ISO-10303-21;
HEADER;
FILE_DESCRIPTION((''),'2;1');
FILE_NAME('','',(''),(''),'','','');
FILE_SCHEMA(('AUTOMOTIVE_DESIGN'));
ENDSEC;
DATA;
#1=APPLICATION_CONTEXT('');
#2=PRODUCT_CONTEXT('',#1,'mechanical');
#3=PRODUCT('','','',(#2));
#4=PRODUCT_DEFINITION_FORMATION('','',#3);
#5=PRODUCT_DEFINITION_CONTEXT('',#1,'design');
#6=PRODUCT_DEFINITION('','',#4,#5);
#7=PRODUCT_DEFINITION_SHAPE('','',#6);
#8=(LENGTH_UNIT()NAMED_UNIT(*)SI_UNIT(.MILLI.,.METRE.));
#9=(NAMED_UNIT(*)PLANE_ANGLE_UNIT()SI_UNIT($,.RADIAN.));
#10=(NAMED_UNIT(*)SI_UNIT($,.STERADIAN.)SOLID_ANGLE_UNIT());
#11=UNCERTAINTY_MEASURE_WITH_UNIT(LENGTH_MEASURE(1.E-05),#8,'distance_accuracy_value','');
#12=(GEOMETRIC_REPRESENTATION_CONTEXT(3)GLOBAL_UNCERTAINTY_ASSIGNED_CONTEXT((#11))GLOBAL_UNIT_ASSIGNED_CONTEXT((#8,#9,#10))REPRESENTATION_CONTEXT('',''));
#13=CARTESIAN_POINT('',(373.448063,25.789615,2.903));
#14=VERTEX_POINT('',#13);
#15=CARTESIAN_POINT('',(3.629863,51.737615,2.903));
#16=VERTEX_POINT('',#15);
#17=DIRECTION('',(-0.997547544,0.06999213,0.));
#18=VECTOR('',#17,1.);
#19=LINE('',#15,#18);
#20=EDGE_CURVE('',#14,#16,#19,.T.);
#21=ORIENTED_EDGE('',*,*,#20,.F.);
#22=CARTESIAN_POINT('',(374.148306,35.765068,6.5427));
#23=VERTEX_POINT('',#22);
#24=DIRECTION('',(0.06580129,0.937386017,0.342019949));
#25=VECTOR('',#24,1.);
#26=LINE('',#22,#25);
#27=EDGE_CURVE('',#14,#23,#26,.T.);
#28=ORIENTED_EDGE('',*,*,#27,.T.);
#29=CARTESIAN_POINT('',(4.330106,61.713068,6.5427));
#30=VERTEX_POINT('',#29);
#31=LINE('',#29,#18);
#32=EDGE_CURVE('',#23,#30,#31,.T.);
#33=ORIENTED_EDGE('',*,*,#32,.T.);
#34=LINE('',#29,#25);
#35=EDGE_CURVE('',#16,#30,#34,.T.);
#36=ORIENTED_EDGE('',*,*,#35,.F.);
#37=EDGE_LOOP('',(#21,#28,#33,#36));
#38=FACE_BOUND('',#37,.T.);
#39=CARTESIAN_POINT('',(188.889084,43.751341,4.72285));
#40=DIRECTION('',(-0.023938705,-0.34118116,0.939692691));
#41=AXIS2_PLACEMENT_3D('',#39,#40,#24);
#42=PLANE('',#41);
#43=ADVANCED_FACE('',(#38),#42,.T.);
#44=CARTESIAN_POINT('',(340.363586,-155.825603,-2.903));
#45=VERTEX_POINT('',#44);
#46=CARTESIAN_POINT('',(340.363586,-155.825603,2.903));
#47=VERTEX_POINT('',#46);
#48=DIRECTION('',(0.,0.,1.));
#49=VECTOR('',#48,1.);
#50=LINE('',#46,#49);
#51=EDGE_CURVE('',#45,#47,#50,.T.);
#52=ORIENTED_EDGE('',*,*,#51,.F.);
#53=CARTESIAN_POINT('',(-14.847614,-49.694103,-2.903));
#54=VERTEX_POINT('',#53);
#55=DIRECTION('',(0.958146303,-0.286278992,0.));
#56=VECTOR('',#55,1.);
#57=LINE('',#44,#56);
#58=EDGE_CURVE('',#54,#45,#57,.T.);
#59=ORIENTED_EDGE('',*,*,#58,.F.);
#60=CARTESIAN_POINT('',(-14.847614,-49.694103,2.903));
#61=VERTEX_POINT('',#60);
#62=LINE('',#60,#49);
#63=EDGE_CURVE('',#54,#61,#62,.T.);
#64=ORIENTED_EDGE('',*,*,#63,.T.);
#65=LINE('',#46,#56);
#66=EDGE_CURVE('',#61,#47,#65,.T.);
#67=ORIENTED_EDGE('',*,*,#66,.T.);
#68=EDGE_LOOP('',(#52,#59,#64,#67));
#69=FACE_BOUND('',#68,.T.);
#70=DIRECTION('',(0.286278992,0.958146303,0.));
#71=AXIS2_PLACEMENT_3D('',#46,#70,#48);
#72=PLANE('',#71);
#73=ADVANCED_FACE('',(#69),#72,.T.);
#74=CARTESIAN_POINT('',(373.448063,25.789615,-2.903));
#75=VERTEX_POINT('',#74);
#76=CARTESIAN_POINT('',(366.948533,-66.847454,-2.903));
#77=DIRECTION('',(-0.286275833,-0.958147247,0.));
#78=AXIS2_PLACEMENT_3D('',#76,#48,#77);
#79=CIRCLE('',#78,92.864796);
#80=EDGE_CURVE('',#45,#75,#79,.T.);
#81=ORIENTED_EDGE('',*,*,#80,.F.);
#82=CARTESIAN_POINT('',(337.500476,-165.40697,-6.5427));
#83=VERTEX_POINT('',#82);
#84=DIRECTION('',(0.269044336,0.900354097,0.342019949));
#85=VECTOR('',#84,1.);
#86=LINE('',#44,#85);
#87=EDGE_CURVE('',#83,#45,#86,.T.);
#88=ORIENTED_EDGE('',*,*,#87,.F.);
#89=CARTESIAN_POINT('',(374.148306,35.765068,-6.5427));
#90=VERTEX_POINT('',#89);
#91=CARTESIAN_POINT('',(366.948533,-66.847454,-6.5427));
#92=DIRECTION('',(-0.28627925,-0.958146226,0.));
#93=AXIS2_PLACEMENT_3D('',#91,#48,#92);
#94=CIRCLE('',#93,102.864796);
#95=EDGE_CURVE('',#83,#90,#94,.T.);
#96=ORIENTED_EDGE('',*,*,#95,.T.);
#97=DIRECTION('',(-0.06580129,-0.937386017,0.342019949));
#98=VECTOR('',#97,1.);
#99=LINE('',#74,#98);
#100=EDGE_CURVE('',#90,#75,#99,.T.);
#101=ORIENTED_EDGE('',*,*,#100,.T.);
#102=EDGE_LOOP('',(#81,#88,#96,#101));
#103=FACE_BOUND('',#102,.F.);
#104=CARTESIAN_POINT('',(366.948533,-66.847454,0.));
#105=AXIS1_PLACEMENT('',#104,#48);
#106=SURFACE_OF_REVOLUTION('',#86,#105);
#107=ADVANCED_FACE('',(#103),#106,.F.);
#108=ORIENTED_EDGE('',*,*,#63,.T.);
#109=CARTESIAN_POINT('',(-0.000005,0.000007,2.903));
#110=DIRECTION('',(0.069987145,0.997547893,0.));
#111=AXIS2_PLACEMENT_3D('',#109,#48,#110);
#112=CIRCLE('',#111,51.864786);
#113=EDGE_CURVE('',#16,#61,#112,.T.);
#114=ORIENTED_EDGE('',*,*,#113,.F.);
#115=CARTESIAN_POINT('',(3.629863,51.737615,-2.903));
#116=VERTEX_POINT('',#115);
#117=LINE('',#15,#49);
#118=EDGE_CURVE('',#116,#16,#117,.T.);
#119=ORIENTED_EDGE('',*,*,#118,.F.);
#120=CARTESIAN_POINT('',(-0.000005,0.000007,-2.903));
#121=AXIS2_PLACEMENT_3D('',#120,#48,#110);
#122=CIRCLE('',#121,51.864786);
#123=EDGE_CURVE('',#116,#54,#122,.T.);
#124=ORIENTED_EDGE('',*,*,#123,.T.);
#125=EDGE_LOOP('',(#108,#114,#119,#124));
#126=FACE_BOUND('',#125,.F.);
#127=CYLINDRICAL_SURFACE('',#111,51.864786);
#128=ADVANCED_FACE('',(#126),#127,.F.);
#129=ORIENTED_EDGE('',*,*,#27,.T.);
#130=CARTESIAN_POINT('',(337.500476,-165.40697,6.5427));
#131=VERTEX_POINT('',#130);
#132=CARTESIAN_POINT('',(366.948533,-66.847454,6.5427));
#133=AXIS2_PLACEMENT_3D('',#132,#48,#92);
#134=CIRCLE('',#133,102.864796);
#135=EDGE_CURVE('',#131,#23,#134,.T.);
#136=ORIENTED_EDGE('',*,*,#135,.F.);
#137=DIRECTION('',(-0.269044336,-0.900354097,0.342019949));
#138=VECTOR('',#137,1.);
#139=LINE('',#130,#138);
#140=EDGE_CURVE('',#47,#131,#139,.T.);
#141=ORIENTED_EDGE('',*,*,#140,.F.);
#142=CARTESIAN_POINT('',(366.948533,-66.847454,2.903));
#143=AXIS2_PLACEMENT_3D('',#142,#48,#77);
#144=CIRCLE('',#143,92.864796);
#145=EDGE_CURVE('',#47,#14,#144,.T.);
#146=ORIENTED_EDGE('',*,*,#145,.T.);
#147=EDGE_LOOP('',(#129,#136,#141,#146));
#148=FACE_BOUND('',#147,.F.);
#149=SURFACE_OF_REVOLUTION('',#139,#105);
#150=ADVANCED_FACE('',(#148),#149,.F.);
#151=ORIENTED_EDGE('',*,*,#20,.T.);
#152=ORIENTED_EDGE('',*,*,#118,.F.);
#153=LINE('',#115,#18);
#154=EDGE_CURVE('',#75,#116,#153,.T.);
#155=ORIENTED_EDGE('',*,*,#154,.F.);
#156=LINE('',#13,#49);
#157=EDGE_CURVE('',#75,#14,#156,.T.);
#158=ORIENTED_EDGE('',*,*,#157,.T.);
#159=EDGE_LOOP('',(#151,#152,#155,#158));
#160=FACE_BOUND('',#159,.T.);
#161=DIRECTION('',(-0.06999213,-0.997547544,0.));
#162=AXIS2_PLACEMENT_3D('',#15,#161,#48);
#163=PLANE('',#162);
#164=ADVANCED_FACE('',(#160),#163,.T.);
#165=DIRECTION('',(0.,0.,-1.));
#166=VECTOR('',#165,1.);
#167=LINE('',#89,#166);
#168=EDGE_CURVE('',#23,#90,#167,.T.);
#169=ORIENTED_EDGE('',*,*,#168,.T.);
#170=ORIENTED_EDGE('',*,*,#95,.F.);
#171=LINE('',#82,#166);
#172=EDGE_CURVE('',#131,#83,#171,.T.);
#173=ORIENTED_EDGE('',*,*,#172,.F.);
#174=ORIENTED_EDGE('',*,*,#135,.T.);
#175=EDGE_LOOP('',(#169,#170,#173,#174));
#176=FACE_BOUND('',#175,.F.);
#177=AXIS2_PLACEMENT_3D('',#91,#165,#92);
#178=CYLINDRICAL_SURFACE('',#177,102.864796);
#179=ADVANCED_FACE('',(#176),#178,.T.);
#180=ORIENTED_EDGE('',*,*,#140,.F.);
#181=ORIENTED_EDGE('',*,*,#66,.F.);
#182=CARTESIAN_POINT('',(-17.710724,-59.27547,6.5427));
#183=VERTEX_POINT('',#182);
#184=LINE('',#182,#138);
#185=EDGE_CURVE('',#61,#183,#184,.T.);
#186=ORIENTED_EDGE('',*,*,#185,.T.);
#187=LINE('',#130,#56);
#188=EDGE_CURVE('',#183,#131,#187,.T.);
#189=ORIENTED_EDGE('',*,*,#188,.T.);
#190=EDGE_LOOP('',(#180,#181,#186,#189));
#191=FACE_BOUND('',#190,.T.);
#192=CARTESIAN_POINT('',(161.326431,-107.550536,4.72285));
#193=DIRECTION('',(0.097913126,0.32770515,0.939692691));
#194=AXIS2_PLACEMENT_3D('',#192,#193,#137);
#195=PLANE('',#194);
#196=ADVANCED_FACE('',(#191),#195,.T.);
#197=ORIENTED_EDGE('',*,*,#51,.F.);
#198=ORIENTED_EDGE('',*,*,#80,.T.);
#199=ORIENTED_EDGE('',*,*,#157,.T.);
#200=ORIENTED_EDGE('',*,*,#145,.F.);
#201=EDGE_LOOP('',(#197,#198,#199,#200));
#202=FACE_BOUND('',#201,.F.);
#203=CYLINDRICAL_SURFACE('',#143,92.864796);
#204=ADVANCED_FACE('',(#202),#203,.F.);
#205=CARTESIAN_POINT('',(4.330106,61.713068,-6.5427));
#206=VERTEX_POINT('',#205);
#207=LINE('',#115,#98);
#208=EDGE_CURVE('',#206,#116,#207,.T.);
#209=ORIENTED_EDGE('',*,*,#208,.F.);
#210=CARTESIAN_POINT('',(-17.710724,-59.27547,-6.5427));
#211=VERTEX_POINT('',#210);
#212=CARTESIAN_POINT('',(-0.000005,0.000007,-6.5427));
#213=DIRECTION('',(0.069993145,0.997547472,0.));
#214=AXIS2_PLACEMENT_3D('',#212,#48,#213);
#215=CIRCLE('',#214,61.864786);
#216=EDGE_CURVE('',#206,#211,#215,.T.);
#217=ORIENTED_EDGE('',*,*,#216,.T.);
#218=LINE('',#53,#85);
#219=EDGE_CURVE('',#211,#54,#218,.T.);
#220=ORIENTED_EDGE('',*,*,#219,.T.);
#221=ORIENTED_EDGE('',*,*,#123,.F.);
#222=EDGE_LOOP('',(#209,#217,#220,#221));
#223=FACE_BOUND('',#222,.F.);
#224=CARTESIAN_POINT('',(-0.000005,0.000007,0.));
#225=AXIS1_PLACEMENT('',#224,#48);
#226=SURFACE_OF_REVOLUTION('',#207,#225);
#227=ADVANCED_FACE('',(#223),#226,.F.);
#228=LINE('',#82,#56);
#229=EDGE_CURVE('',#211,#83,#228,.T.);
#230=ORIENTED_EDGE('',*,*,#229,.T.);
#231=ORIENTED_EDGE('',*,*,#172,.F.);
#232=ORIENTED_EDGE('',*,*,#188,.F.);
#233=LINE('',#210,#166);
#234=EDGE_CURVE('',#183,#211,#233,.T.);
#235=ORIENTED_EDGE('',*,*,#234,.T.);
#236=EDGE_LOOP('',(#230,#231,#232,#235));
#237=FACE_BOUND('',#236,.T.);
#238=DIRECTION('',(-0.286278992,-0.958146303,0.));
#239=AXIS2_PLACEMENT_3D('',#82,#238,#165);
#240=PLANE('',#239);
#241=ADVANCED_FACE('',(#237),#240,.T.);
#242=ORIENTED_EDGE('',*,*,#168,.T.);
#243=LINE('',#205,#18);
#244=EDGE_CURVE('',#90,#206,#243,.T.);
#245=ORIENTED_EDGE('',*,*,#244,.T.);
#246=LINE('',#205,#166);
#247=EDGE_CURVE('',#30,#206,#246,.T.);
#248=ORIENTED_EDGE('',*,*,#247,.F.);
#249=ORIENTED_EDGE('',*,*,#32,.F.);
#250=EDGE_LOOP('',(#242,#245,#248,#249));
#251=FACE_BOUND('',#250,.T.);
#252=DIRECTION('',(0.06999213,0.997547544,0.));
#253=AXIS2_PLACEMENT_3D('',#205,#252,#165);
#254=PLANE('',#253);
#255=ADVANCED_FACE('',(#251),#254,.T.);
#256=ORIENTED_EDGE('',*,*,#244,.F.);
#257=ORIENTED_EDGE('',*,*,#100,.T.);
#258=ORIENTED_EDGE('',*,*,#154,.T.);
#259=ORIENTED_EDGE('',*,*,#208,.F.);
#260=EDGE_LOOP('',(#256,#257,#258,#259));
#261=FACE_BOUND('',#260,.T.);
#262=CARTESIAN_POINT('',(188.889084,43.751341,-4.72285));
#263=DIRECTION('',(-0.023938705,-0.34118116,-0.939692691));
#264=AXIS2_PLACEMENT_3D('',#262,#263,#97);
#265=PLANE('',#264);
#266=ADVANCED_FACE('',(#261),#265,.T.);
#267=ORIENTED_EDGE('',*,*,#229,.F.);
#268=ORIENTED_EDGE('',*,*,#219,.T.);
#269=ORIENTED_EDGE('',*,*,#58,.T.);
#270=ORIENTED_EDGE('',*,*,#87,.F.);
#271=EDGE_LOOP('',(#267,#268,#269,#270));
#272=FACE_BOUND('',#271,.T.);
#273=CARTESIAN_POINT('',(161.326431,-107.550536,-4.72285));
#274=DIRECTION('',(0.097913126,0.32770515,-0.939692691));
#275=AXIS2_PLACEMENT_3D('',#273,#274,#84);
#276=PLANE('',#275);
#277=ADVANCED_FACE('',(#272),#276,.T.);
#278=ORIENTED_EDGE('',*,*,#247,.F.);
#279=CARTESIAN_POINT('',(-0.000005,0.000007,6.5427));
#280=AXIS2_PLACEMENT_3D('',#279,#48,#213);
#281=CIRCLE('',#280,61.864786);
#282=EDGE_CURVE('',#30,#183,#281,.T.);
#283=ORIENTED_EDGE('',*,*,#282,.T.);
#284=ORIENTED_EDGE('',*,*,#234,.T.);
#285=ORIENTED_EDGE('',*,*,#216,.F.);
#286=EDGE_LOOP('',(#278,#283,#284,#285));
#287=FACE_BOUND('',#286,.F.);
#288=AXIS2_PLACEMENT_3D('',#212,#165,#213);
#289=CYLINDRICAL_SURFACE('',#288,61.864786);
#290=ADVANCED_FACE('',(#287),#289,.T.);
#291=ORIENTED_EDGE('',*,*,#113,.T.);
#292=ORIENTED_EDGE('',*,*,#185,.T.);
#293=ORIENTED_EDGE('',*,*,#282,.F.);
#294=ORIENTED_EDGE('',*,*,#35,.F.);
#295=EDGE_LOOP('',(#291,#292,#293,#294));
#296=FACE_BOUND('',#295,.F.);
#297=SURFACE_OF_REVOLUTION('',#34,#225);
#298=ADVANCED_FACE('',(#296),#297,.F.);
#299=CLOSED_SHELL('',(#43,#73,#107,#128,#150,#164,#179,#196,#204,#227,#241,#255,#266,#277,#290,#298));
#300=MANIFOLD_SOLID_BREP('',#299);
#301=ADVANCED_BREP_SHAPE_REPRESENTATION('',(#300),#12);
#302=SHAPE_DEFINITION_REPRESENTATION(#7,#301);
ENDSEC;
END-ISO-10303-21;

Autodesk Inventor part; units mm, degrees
ref_plane "YZ Plane" through (0, 0, 0) normal (1, 0, 0) x (0, 1, 0)
ref_plane "XZ Plane" through (0, 0, 0) normal (0, 1, 0) x (-1, 0, 0)
sketch "Trayectoria de boceto" plane through (0, 0, 0) normal (0, 0, 1) x (1, 0, 0)
  arc A0 (4.1295, 58.8553) -> (-16.8905, -56.5306) centre (0, 0) ccw
  arc A1 (338.3207, -162.6621) -> (373.9477, 32.9073) centre (366.9485, -66.8474) ccw
  line L0 (338.3207, -162.6621) -> (-16.8905, -56.5306)
  line L1 (4.1295, 58.8553) -> (373.9477, 32.9073)
ref_plane "Plano de sección transversal" through (-16.8905, -56.5306, 0) normal (0.9581, -0.2863, 0) x (0, 0, 1)
sketch "Sección transversal" plane through (-16.8905, -56.5306, 0) normal (0.9581, -0.2863, 0) x (0, 0, 1)
  line L0 (0, 2.8648) -> (0, -7.1352) construction
  line L1 (-5.5, 0) -> (5.5, 0) construction
  line L2 (-6.5427, 2.8648) -> (6.5427, 2.8648)
  line L3 (6.5427, 2.8648) -> (2.903, -7.1352)
  line L4 (2.903, -7.1352) -> (-2.903, -7.1352)
  line L5 (-2.903, -7.1352) -> (-6.5427, 2.8648)
  point P0 (0, 0)
  point P1 (0, 0)
  point P2 (0, 0)
  dimension "d0" = 11
  dimension "d1" = 2.8648
  dimension "d2" = 40
  dimension "d3" = 10
sweep "Correa" add profiles "Sección transversal" path "Trayectoria de boceto"
equation "\"d0\" = da_Bw"
equation "\"d1\" = da_Hw"
equation "\"d2\" = da_Alfa"
equation "\"d3\" = da_H"
equation "\"da_Alfa\" = 40deg"
equation "\"da_H\" = 10"
equation "\"da_Bw\" = 11"
equation "\"da_Hw\" = 2.86479"
properties part number "Correa trapezoidal" material "Rubber"
